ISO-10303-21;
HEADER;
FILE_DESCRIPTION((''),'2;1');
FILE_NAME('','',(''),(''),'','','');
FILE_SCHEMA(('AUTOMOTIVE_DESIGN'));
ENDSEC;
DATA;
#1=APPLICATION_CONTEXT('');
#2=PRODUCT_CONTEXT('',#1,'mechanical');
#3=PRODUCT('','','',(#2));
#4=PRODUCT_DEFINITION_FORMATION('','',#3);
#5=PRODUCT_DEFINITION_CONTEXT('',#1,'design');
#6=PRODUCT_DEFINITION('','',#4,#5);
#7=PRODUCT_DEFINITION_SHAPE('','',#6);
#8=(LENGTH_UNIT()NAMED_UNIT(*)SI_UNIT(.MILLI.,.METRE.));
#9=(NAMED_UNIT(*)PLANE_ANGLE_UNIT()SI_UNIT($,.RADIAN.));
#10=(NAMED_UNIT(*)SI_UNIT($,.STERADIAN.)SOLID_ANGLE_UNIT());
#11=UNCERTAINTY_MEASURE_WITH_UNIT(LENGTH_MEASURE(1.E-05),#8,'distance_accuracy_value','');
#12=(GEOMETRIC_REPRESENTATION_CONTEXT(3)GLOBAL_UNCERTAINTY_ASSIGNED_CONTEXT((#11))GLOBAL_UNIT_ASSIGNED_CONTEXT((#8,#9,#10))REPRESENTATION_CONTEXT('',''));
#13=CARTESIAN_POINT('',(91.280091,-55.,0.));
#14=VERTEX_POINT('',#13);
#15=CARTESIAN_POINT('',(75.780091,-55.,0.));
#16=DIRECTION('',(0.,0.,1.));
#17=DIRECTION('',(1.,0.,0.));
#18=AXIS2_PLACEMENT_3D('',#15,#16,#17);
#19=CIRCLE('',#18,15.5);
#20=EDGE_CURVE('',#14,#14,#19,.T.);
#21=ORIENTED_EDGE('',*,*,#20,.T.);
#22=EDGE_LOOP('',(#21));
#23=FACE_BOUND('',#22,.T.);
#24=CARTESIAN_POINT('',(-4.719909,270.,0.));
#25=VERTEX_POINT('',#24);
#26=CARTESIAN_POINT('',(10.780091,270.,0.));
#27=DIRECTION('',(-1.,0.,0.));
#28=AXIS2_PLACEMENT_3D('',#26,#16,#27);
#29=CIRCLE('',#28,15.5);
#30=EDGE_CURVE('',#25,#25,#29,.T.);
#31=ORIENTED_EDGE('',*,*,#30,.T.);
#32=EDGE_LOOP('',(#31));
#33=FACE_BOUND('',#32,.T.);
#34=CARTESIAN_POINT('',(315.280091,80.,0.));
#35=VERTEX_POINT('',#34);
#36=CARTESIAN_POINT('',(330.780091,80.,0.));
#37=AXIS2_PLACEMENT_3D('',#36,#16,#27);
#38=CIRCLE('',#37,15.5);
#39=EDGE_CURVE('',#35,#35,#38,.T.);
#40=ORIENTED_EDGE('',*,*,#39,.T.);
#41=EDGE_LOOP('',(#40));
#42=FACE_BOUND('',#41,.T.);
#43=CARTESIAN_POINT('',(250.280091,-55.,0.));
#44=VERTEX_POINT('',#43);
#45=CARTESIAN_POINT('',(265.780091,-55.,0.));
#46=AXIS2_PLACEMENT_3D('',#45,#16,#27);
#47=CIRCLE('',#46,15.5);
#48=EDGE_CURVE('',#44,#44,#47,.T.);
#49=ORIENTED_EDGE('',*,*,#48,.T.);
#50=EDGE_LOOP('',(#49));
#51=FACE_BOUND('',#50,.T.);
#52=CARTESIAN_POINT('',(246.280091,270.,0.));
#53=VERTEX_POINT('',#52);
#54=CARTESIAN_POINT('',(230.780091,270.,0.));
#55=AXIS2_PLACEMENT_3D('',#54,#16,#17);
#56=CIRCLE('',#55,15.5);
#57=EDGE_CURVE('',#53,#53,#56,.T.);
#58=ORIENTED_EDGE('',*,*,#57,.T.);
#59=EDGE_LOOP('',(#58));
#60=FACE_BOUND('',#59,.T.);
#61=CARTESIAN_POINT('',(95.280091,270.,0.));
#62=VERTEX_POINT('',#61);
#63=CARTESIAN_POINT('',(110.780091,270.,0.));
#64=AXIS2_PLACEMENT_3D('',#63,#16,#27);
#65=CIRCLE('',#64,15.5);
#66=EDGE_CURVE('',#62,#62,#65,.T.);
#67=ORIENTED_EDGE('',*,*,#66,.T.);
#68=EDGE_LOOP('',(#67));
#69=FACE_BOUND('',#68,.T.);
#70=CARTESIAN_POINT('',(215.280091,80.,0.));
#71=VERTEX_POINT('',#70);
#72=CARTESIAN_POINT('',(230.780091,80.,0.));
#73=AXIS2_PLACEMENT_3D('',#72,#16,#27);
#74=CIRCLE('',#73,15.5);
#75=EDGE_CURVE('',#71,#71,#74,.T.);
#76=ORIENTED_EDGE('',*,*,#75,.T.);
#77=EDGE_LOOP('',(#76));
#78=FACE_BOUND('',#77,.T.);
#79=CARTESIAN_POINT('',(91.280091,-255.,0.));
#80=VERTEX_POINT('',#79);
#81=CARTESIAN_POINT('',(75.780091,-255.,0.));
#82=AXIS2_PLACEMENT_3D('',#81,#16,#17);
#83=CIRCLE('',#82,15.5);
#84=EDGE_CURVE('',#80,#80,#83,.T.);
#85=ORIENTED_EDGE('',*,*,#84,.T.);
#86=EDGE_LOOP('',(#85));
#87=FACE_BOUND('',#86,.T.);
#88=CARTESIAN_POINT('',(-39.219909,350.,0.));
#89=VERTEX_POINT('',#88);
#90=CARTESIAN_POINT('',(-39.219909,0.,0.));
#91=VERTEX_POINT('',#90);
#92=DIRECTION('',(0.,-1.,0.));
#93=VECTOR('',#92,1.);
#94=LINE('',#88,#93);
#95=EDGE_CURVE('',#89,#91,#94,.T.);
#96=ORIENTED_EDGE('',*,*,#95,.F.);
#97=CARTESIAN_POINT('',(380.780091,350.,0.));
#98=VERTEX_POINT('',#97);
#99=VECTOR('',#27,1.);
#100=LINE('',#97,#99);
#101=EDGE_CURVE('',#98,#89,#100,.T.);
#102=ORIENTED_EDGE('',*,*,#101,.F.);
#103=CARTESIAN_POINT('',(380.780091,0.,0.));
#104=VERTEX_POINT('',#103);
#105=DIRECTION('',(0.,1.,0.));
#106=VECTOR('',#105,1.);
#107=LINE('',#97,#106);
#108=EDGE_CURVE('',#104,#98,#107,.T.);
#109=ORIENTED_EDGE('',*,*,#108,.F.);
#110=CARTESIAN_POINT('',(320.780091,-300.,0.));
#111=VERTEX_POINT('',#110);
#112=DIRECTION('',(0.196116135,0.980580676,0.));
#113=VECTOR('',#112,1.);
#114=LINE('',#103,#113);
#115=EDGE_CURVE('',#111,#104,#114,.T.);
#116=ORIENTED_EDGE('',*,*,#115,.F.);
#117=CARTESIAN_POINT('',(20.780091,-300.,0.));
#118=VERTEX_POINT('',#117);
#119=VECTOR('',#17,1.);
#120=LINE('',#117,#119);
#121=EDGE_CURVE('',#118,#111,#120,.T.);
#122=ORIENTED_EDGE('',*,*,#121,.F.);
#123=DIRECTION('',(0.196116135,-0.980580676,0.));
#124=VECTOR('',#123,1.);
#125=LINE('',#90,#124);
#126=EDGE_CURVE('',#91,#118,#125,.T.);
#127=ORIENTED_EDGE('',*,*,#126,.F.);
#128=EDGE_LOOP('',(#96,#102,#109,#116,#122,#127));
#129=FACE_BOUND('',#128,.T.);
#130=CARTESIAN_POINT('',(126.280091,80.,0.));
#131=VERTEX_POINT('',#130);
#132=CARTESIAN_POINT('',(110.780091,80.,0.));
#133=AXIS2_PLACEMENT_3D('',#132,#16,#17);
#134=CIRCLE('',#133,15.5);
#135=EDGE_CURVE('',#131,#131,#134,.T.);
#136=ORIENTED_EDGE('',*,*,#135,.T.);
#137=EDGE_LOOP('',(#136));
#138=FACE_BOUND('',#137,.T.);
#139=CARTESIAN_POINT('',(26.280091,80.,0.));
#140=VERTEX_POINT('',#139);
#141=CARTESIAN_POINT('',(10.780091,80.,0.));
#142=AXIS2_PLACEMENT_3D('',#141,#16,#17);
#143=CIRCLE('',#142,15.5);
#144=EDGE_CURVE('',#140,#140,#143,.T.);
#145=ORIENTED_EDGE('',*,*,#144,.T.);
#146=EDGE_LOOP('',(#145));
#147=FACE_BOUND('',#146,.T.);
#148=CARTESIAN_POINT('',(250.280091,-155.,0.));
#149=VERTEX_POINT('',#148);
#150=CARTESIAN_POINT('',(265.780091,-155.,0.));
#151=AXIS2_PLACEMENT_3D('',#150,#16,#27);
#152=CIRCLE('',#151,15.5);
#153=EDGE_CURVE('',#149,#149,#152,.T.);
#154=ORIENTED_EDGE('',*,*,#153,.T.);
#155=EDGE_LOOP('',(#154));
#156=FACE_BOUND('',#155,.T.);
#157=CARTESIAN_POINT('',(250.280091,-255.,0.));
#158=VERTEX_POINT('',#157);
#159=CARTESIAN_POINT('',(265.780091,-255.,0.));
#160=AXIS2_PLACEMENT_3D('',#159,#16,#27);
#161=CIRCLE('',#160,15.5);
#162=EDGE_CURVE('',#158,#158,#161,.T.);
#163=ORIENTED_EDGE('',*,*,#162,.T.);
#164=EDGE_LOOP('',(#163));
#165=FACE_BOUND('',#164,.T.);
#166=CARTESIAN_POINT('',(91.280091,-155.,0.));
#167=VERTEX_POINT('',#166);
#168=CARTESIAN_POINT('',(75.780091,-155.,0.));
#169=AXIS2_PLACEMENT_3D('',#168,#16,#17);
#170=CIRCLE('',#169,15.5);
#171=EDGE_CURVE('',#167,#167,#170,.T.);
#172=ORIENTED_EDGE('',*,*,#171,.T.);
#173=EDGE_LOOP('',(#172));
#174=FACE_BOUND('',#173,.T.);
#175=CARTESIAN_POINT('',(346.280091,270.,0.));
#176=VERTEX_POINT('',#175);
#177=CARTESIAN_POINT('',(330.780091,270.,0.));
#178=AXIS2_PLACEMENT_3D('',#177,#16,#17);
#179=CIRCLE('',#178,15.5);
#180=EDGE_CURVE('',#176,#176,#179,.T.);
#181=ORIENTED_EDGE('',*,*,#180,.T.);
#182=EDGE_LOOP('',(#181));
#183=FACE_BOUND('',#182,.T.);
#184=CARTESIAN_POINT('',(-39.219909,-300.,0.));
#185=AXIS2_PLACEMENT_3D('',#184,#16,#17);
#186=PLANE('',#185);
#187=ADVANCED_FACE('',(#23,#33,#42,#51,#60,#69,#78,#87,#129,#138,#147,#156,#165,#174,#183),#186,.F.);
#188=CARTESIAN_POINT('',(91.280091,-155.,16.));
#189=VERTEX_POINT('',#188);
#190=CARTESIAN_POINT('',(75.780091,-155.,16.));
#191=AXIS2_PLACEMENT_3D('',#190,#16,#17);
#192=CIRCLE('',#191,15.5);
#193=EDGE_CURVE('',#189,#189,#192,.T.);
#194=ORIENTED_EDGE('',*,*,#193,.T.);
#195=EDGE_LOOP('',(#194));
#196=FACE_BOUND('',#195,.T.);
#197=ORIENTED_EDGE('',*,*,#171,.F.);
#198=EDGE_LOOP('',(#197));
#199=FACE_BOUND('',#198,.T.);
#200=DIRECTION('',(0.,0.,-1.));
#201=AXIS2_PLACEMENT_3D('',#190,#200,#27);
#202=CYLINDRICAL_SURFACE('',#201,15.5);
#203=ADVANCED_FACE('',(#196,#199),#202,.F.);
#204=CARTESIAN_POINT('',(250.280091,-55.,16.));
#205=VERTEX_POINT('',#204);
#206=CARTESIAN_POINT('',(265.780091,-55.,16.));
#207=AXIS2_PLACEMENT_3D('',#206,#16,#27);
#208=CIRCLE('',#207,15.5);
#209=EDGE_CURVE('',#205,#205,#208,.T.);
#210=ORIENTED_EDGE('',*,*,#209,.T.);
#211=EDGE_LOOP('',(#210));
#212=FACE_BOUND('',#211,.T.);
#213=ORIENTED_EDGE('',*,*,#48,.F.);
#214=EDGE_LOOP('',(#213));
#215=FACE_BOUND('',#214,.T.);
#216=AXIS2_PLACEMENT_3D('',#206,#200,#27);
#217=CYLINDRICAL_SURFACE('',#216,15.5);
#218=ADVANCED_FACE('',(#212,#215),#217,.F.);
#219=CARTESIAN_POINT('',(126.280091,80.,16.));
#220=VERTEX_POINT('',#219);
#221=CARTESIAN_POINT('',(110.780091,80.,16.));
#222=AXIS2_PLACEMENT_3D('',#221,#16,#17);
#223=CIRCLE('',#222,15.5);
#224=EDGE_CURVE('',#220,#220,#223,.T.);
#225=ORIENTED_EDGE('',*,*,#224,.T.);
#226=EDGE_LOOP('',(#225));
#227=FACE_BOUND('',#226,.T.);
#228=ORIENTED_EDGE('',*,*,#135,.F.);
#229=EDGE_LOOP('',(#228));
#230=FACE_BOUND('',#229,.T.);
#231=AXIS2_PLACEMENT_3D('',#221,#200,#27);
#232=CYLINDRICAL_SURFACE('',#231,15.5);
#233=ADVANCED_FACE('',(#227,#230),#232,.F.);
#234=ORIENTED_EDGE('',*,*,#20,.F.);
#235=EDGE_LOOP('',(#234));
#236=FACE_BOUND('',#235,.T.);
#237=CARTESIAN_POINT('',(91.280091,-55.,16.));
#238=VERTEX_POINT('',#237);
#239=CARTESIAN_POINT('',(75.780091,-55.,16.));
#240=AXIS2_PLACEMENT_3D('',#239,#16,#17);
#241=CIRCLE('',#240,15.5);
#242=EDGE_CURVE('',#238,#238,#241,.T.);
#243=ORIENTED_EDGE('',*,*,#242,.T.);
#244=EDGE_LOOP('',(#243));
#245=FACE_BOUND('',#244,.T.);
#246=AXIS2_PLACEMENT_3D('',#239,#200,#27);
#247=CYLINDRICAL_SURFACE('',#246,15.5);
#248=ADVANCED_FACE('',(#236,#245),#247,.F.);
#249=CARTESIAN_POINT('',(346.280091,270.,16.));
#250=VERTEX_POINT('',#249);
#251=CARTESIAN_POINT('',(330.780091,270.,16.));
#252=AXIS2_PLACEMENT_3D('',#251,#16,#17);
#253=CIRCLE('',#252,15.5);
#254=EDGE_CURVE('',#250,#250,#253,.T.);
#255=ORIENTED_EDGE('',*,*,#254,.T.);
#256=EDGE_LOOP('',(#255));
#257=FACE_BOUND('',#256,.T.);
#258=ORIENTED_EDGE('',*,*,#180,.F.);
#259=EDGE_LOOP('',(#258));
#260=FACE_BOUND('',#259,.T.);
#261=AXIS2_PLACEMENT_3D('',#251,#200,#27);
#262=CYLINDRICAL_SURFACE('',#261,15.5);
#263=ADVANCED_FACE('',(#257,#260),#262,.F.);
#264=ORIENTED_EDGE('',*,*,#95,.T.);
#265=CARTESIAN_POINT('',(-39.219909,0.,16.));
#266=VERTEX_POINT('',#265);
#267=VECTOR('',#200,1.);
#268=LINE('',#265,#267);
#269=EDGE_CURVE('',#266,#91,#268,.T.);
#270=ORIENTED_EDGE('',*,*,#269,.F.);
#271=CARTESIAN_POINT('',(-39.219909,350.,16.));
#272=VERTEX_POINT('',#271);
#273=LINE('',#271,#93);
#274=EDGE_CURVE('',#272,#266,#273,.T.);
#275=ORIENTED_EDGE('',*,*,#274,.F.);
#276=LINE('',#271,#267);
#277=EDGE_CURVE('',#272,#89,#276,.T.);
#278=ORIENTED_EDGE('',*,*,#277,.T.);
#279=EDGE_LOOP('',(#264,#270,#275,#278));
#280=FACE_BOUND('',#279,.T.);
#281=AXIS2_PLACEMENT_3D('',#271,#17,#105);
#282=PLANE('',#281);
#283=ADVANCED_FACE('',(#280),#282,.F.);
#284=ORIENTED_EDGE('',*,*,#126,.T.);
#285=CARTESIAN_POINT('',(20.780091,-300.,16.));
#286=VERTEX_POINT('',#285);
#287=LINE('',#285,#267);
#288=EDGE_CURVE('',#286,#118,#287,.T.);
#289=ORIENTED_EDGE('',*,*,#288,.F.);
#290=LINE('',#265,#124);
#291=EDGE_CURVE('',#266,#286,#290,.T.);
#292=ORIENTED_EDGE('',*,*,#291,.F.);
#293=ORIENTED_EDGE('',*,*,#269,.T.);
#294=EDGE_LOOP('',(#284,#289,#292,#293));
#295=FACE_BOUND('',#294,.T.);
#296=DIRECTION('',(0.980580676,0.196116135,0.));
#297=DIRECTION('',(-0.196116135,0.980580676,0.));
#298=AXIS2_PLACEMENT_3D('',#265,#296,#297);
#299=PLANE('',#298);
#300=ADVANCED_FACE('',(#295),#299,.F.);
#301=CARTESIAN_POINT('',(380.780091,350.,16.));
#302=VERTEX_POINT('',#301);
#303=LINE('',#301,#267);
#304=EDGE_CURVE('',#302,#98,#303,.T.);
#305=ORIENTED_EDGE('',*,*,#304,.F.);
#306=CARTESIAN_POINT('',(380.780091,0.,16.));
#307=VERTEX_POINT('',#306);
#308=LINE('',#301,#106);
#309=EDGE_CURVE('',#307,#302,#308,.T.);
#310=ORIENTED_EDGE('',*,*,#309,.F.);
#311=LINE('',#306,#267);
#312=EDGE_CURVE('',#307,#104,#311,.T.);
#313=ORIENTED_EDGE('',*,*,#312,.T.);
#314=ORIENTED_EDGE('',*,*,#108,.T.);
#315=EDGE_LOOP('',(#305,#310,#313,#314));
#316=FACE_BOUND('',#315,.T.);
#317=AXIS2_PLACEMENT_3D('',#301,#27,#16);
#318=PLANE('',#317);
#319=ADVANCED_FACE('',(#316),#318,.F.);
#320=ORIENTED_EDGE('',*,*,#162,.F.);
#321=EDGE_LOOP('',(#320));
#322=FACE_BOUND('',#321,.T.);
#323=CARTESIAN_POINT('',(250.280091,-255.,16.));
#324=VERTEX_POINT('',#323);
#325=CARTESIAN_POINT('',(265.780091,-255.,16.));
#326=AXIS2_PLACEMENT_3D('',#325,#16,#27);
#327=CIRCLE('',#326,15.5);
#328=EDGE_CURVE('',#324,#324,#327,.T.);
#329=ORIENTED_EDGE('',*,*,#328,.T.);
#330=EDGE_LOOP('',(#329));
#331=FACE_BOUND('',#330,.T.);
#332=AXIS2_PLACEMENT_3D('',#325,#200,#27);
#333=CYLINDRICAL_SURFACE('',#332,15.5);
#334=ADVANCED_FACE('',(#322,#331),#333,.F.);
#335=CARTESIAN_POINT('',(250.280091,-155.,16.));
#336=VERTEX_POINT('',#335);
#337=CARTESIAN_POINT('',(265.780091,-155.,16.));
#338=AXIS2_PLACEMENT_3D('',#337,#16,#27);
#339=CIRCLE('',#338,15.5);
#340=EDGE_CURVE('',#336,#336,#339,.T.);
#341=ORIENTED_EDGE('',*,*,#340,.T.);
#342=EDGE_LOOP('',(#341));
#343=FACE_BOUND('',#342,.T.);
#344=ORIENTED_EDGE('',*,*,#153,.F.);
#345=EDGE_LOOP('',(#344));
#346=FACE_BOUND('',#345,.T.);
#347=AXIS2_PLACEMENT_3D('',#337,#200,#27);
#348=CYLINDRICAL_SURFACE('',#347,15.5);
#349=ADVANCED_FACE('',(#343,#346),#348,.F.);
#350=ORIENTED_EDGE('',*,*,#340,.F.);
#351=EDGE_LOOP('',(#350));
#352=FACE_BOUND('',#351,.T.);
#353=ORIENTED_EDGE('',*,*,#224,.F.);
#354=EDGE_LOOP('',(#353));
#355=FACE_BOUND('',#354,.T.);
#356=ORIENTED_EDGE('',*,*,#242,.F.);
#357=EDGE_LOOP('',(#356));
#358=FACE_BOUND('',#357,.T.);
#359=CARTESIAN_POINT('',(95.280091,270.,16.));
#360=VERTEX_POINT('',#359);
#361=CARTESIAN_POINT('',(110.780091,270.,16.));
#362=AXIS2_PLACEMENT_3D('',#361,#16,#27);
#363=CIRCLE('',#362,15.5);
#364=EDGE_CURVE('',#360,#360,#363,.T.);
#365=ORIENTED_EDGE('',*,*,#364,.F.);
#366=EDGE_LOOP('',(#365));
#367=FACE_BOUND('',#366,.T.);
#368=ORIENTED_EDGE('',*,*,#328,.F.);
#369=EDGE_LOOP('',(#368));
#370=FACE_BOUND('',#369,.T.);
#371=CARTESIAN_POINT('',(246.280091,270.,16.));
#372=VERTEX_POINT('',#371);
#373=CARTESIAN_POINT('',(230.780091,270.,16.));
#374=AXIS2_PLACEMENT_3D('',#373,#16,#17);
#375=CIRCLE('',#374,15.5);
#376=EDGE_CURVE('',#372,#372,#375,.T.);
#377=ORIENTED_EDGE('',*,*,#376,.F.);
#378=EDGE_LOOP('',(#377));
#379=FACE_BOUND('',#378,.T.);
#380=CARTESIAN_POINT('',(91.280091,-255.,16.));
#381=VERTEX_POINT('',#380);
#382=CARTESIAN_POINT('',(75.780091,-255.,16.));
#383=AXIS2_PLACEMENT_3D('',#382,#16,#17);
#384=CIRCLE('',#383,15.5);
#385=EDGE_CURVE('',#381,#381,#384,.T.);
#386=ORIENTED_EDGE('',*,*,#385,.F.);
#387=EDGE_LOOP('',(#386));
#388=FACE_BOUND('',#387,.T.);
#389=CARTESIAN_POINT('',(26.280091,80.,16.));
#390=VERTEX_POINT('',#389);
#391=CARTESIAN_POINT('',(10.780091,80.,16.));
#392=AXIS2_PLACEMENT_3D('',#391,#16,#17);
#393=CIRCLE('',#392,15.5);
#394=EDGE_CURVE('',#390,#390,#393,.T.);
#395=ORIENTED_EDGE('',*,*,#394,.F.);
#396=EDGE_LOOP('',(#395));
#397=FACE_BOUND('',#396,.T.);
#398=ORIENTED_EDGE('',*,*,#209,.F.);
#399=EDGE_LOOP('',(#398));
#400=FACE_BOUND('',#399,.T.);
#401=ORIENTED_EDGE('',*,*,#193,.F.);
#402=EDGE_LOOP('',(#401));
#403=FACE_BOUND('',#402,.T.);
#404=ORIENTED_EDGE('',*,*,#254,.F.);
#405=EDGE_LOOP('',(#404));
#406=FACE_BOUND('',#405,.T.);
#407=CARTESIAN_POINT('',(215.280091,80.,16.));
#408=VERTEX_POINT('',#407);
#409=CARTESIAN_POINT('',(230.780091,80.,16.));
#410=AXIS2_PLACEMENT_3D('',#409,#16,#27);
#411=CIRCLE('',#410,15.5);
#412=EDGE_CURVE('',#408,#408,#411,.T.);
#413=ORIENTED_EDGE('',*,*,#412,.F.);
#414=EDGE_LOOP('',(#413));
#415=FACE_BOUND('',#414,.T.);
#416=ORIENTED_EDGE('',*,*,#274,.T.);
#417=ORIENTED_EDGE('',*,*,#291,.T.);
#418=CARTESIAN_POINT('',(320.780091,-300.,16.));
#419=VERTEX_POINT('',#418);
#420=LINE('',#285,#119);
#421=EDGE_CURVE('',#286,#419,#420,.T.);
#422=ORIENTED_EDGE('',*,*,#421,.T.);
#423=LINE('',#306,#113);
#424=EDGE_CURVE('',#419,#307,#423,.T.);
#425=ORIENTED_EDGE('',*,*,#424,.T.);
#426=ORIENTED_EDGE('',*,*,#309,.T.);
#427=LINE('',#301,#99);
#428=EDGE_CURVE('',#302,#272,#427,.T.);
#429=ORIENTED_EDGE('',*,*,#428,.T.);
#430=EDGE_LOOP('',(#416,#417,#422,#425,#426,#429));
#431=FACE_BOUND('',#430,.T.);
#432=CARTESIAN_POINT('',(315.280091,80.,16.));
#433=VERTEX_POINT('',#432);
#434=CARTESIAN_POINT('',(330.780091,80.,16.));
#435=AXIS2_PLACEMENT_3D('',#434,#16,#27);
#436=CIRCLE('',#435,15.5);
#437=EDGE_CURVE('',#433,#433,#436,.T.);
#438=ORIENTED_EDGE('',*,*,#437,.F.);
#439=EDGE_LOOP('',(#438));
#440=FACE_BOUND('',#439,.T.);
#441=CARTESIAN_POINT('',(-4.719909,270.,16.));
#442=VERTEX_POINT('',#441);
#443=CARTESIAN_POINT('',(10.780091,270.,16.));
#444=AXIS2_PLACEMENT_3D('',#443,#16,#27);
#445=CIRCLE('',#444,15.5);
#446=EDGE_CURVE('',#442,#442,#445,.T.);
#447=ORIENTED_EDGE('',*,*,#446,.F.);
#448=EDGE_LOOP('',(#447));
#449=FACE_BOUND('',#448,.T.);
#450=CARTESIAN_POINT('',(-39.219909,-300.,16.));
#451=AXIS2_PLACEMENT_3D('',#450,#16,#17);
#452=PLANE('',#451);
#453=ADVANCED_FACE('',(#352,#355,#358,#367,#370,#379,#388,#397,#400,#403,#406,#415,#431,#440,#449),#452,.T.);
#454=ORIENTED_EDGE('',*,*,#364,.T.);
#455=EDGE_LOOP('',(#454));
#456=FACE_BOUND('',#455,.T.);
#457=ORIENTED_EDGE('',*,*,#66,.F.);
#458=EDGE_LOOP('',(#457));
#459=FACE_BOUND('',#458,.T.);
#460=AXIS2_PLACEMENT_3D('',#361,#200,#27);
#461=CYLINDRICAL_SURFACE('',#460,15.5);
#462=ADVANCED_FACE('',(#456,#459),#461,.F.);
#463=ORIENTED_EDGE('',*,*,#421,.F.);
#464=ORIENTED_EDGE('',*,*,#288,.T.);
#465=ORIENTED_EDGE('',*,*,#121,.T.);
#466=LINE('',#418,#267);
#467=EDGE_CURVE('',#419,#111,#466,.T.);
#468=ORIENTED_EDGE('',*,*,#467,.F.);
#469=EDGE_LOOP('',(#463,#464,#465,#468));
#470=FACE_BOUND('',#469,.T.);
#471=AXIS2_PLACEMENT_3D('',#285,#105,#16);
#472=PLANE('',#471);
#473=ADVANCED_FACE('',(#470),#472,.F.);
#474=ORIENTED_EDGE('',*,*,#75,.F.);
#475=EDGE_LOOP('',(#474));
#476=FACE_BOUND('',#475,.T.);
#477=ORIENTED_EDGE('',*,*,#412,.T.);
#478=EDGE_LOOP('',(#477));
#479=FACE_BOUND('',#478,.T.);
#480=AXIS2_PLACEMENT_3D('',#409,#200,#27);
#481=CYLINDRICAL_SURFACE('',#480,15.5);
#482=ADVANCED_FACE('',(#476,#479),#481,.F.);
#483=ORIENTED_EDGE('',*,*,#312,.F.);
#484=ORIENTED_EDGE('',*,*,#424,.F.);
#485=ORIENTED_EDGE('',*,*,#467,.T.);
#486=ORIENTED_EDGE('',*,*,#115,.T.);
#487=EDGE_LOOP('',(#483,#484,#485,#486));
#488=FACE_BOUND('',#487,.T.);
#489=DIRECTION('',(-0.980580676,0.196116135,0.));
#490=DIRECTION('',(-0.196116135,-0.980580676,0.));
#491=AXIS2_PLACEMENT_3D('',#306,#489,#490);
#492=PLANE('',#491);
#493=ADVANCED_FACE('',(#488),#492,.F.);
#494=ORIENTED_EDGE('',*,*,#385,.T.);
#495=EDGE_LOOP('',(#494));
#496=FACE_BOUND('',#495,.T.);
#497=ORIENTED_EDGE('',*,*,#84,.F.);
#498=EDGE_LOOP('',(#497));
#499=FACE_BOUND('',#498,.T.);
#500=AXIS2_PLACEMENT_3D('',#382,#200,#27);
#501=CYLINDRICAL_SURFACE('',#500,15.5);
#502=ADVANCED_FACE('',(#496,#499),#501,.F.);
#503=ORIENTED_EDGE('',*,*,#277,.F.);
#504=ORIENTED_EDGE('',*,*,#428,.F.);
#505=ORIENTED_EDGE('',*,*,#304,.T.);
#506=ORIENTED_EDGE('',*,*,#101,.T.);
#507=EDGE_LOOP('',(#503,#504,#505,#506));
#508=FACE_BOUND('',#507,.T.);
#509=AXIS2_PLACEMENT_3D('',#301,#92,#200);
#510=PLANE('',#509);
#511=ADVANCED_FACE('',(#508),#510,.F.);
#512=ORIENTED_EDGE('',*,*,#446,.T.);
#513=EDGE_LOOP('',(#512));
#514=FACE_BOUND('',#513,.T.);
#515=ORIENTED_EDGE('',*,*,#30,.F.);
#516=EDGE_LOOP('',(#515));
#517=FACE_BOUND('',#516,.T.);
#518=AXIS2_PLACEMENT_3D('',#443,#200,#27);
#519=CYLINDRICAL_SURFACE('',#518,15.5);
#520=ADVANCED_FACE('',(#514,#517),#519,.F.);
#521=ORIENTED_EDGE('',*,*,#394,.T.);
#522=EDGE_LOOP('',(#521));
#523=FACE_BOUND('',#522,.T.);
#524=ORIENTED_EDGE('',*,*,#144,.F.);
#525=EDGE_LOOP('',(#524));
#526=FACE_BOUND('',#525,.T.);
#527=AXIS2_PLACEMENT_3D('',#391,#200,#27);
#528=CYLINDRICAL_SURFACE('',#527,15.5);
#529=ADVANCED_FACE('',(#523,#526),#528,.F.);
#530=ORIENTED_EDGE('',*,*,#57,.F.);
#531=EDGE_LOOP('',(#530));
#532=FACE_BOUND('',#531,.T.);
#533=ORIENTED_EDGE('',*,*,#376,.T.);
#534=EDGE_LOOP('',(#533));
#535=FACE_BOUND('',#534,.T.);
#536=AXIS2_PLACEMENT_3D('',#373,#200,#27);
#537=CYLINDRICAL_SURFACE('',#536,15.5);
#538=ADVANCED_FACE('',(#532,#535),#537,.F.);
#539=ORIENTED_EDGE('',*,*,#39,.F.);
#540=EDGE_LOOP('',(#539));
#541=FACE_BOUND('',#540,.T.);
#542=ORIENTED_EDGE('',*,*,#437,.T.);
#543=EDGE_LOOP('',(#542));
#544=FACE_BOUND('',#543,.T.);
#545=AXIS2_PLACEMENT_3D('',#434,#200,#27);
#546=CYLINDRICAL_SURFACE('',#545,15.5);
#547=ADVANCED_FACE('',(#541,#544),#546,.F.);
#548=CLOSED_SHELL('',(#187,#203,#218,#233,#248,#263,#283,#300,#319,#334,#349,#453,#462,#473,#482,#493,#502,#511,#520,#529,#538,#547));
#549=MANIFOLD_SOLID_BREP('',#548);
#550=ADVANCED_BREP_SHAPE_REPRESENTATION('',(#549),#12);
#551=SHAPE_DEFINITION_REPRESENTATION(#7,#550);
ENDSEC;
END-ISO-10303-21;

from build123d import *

# Parameters (mm, degrees)
SKETCH_1_R      = 15.5
EXTRUDE_1_DEPTH = 16


with BuildPart() as part:
    # 草图1 → 拉伸1 (new body)
    with BuildSketch(Plane.XY):
        Polygon((380.780090503, 350), (-39.219909497, 350), (-39.219909497, 0), (20.780090503, -300), (320.780090503, -300), (380.780090503, 0), align=None)
        with Locations((75.780090503, -255)):
            Circle(SKETCH_1_R, mode=Mode.SUBTRACT)
        with Locations((75.780090503, -55)):
            Circle(SKETCH_1_R, mode=Mode.SUBTRACT)
        with Locations((75.780090503, -155)):
            Circle(SKETCH_1_R, mode=Mode.SUBTRACT)
        with Locations((110.780090503, 80)):
            Circle(SKETCH_1_R, mode=Mode.SUBTRACT)
        with Locations((10.780090503, 80)):
            Circle(SKETCH_1_R, mode=Mode.SUBTRACT)
        with Locations(Location((110.780090503, 270, 0), (0, 0, 180))):
            Circle(SKETCH_1_R, mode=Mode.SUBTRACT)
        with Locations(Location((10.780090503, 270, 0), (0, 0, 180))):
            Circle(SKETCH_1_R, mode=Mode.SUBTRACT)
        with Locations((330.780090503, 270)):
            Circle(SKETCH_1_R, mode=Mode.SUBTRACT)
        with Locations((230.780090503, 270)):
            Circle(SKETCH_1_R, mode=Mode.SUBTRACT)
        with Locations(Location((330.780090503, 80, 0), (0, 0, 180))):
            Circle(SKETCH_1_R, mode=Mode.SUBTRACT)
        with Locations(Location((230.780090503, 80, 0), (0, 0, 180))):
            Circle(SKETCH_1_R, mode=Mode.SUBTRACT)
        with Locations(Location((265.780090503, -155, 0), (0, 0, 180))):
            Circle(SKETCH_1_R, mode=Mode.SUBTRACT)
        with Locations(Location((265.780090503, -55, 0), (0, 0, 180))):
            Circle(SKETCH_1_R, mode=Mode.SUBTRACT)
        with Locations(Location((265.780090503, -255, 0), (0, 0, 180))):
            Circle(SKETCH_1_R, mode=Mode.SUBTRACT)
    extrude(amount=EXTRUDE_1_DEPTH)


solid = part.part
